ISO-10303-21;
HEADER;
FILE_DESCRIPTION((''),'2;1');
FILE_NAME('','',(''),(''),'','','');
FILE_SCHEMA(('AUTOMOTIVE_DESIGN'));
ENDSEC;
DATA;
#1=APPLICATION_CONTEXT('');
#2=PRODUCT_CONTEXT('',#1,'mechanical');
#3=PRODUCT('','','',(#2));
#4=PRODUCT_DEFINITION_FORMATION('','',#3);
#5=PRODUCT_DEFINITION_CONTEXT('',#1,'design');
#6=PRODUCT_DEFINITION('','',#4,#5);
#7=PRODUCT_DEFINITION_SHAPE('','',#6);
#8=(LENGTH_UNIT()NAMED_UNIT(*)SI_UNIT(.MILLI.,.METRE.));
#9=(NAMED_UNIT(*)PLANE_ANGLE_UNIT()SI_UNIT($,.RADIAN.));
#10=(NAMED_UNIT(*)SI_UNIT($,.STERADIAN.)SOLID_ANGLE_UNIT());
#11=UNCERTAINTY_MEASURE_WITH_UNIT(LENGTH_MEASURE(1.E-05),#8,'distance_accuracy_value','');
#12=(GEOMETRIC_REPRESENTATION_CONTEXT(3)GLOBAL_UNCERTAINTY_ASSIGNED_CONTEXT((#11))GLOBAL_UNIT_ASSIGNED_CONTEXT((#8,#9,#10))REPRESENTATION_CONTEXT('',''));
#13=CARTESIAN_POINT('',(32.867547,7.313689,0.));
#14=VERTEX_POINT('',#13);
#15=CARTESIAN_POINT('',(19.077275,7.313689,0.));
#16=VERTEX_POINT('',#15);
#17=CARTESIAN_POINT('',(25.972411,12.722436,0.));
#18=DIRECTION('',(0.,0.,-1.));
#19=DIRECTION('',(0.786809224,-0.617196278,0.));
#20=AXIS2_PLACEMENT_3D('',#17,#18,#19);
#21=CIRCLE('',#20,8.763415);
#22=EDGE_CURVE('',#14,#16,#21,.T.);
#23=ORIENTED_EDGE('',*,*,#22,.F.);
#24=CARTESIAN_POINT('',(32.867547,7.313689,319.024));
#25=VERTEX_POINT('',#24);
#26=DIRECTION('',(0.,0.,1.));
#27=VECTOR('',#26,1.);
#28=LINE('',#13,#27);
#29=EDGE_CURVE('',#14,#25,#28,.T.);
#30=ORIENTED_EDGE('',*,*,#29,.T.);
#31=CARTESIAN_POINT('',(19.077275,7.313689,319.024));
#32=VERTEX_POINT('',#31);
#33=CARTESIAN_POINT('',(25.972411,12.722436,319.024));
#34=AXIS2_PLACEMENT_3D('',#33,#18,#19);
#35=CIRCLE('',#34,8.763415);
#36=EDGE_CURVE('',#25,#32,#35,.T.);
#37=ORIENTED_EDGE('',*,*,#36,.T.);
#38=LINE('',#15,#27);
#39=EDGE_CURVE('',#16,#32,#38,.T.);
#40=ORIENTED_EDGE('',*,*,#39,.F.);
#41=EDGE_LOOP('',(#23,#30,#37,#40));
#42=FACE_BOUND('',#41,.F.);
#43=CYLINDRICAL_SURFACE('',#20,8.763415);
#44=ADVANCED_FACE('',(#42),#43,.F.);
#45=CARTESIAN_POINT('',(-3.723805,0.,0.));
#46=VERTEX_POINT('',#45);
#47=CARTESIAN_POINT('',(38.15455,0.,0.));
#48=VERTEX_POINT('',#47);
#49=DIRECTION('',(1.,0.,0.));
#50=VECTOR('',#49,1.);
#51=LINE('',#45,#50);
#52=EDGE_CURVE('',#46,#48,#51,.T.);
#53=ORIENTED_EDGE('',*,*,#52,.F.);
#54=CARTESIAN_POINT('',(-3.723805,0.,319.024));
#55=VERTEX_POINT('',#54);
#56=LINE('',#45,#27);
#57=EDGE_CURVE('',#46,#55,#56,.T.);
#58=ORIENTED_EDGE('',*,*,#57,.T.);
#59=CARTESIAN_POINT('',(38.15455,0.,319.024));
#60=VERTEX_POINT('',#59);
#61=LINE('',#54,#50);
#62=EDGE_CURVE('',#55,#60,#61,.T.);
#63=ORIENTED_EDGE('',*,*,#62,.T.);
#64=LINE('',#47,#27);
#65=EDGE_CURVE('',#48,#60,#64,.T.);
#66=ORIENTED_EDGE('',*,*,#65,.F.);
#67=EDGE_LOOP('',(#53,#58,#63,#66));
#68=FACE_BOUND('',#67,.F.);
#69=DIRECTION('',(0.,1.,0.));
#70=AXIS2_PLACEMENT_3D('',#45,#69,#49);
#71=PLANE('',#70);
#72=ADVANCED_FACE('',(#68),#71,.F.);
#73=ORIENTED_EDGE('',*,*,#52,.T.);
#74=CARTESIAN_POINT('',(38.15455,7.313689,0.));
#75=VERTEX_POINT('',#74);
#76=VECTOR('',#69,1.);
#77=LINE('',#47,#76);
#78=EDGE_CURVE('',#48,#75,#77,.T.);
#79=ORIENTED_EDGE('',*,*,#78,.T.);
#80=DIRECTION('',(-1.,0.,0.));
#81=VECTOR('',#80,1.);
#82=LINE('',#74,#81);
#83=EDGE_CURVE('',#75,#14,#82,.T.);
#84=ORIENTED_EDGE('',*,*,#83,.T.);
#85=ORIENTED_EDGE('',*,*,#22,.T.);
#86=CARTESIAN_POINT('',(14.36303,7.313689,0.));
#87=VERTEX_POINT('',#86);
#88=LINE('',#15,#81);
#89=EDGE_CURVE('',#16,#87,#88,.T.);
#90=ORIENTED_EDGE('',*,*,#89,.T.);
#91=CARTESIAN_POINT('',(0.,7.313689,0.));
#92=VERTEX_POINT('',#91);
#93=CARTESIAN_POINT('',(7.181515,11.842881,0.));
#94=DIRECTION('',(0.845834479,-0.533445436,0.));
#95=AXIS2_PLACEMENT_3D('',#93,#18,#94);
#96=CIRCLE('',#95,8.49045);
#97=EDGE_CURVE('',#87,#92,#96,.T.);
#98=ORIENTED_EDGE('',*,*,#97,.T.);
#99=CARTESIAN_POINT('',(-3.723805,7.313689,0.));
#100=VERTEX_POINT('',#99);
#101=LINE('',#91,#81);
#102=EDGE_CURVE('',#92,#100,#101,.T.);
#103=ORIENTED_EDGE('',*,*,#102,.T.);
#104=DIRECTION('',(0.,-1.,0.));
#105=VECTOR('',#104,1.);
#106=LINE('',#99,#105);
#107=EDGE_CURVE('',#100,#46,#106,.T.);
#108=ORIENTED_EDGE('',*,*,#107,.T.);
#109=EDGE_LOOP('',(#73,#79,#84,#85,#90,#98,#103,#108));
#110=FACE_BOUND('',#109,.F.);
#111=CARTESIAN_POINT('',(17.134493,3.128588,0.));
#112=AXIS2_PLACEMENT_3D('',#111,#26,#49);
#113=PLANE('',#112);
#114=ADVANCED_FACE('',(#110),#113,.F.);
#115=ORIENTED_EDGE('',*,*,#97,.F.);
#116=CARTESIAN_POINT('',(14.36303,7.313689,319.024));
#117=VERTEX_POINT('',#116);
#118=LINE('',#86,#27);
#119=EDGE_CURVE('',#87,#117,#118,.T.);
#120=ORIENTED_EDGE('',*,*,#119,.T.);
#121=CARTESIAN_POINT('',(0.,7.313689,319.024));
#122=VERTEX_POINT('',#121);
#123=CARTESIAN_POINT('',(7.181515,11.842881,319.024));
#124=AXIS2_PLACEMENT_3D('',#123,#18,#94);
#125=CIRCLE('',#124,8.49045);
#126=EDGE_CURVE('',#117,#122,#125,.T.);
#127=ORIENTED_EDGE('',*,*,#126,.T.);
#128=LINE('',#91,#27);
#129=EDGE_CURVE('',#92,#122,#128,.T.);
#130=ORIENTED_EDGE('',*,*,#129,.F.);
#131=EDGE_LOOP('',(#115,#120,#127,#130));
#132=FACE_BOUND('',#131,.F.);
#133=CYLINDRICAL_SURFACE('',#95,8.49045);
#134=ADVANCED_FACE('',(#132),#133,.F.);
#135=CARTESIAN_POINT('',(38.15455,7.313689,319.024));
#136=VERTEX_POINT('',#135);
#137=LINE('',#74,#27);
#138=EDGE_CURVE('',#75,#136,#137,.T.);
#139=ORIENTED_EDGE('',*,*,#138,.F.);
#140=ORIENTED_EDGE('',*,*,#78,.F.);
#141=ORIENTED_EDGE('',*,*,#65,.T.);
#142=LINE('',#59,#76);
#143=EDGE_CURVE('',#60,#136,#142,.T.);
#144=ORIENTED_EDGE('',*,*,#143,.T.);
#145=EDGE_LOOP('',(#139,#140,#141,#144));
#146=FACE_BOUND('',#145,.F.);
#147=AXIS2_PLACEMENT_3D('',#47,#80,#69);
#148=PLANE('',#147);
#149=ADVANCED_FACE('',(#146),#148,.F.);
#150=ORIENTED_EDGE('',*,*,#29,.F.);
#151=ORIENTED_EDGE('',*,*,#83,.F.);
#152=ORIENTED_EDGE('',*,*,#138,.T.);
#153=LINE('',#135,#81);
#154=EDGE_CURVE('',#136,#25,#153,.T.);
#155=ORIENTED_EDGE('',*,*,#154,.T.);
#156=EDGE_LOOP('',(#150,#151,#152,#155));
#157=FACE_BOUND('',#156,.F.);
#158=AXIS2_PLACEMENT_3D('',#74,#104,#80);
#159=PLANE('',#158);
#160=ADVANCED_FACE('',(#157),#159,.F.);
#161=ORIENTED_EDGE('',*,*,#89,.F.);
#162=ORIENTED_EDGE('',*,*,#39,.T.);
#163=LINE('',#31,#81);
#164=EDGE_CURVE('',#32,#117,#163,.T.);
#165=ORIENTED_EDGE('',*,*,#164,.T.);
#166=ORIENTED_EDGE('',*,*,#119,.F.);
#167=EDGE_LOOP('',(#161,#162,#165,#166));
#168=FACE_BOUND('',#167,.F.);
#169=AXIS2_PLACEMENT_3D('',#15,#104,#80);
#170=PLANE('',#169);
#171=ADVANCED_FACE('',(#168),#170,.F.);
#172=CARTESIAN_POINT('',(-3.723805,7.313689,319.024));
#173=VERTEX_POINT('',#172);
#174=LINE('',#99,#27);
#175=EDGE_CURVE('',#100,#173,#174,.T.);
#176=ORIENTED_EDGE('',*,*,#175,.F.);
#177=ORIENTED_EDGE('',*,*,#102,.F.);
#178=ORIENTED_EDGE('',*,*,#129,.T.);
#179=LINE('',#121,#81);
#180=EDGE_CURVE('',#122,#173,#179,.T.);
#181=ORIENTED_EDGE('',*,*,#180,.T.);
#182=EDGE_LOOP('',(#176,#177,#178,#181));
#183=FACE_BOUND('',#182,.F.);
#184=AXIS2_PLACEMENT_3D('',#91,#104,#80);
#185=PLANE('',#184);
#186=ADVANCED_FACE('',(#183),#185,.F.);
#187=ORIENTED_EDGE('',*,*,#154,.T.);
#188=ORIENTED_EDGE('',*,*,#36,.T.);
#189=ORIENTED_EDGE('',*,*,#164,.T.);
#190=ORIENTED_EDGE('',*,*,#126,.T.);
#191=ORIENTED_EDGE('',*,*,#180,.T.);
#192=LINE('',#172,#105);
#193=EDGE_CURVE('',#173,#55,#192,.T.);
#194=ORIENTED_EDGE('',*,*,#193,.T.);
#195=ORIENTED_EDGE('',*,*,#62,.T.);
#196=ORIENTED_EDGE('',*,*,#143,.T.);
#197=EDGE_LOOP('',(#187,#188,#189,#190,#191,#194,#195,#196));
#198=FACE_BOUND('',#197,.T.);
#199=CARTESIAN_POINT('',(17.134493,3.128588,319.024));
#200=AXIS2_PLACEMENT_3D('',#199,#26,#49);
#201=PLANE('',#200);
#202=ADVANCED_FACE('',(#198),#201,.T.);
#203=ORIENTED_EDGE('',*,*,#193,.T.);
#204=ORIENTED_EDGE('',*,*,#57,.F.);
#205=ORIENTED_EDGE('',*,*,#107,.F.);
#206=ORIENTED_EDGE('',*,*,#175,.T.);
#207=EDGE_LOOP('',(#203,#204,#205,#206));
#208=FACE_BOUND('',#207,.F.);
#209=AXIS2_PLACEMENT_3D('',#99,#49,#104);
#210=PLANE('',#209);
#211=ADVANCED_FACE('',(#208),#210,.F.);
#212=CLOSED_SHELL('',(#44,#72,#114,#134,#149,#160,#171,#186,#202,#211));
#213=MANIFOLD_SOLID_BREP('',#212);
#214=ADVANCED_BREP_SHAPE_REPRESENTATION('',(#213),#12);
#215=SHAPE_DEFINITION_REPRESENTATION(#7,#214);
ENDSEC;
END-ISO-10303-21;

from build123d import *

# Parameters (mm, degrees)
F1_DEPTH = 319.024


with BuildPart() as f1:
    # F0 (on Top) → F1 (new body)
    with BuildSketch(Plane.XY):
        with BuildLine():
            Line((-3.723805, 0), (0, 0))
            Line((0, 0), (38.15455, 0))
            Line((38.15455, 0), (38.15455, 7.313689))
            Line((38.15455, 7.313689), (32.867547, 7.313689))
            ThreePointArc((32.867547, 7.313689), (25.972411, 3.959021), (19.077275, 7.313689))
            Line((19.077275, 7.313689), (14.36303, 7.313689))
            ThreePointArc((14.36303, 7.313689), (7.181515, 3.352431), (0, 7.313689))
            Line((0, 7.313689), (-3.723805, 7.313689))
            Line((-3.723805, 7.313689), (-3.723805, 0))
        make_face()
    extrude(amount=F1_DEPTH)


solid = f1.part
